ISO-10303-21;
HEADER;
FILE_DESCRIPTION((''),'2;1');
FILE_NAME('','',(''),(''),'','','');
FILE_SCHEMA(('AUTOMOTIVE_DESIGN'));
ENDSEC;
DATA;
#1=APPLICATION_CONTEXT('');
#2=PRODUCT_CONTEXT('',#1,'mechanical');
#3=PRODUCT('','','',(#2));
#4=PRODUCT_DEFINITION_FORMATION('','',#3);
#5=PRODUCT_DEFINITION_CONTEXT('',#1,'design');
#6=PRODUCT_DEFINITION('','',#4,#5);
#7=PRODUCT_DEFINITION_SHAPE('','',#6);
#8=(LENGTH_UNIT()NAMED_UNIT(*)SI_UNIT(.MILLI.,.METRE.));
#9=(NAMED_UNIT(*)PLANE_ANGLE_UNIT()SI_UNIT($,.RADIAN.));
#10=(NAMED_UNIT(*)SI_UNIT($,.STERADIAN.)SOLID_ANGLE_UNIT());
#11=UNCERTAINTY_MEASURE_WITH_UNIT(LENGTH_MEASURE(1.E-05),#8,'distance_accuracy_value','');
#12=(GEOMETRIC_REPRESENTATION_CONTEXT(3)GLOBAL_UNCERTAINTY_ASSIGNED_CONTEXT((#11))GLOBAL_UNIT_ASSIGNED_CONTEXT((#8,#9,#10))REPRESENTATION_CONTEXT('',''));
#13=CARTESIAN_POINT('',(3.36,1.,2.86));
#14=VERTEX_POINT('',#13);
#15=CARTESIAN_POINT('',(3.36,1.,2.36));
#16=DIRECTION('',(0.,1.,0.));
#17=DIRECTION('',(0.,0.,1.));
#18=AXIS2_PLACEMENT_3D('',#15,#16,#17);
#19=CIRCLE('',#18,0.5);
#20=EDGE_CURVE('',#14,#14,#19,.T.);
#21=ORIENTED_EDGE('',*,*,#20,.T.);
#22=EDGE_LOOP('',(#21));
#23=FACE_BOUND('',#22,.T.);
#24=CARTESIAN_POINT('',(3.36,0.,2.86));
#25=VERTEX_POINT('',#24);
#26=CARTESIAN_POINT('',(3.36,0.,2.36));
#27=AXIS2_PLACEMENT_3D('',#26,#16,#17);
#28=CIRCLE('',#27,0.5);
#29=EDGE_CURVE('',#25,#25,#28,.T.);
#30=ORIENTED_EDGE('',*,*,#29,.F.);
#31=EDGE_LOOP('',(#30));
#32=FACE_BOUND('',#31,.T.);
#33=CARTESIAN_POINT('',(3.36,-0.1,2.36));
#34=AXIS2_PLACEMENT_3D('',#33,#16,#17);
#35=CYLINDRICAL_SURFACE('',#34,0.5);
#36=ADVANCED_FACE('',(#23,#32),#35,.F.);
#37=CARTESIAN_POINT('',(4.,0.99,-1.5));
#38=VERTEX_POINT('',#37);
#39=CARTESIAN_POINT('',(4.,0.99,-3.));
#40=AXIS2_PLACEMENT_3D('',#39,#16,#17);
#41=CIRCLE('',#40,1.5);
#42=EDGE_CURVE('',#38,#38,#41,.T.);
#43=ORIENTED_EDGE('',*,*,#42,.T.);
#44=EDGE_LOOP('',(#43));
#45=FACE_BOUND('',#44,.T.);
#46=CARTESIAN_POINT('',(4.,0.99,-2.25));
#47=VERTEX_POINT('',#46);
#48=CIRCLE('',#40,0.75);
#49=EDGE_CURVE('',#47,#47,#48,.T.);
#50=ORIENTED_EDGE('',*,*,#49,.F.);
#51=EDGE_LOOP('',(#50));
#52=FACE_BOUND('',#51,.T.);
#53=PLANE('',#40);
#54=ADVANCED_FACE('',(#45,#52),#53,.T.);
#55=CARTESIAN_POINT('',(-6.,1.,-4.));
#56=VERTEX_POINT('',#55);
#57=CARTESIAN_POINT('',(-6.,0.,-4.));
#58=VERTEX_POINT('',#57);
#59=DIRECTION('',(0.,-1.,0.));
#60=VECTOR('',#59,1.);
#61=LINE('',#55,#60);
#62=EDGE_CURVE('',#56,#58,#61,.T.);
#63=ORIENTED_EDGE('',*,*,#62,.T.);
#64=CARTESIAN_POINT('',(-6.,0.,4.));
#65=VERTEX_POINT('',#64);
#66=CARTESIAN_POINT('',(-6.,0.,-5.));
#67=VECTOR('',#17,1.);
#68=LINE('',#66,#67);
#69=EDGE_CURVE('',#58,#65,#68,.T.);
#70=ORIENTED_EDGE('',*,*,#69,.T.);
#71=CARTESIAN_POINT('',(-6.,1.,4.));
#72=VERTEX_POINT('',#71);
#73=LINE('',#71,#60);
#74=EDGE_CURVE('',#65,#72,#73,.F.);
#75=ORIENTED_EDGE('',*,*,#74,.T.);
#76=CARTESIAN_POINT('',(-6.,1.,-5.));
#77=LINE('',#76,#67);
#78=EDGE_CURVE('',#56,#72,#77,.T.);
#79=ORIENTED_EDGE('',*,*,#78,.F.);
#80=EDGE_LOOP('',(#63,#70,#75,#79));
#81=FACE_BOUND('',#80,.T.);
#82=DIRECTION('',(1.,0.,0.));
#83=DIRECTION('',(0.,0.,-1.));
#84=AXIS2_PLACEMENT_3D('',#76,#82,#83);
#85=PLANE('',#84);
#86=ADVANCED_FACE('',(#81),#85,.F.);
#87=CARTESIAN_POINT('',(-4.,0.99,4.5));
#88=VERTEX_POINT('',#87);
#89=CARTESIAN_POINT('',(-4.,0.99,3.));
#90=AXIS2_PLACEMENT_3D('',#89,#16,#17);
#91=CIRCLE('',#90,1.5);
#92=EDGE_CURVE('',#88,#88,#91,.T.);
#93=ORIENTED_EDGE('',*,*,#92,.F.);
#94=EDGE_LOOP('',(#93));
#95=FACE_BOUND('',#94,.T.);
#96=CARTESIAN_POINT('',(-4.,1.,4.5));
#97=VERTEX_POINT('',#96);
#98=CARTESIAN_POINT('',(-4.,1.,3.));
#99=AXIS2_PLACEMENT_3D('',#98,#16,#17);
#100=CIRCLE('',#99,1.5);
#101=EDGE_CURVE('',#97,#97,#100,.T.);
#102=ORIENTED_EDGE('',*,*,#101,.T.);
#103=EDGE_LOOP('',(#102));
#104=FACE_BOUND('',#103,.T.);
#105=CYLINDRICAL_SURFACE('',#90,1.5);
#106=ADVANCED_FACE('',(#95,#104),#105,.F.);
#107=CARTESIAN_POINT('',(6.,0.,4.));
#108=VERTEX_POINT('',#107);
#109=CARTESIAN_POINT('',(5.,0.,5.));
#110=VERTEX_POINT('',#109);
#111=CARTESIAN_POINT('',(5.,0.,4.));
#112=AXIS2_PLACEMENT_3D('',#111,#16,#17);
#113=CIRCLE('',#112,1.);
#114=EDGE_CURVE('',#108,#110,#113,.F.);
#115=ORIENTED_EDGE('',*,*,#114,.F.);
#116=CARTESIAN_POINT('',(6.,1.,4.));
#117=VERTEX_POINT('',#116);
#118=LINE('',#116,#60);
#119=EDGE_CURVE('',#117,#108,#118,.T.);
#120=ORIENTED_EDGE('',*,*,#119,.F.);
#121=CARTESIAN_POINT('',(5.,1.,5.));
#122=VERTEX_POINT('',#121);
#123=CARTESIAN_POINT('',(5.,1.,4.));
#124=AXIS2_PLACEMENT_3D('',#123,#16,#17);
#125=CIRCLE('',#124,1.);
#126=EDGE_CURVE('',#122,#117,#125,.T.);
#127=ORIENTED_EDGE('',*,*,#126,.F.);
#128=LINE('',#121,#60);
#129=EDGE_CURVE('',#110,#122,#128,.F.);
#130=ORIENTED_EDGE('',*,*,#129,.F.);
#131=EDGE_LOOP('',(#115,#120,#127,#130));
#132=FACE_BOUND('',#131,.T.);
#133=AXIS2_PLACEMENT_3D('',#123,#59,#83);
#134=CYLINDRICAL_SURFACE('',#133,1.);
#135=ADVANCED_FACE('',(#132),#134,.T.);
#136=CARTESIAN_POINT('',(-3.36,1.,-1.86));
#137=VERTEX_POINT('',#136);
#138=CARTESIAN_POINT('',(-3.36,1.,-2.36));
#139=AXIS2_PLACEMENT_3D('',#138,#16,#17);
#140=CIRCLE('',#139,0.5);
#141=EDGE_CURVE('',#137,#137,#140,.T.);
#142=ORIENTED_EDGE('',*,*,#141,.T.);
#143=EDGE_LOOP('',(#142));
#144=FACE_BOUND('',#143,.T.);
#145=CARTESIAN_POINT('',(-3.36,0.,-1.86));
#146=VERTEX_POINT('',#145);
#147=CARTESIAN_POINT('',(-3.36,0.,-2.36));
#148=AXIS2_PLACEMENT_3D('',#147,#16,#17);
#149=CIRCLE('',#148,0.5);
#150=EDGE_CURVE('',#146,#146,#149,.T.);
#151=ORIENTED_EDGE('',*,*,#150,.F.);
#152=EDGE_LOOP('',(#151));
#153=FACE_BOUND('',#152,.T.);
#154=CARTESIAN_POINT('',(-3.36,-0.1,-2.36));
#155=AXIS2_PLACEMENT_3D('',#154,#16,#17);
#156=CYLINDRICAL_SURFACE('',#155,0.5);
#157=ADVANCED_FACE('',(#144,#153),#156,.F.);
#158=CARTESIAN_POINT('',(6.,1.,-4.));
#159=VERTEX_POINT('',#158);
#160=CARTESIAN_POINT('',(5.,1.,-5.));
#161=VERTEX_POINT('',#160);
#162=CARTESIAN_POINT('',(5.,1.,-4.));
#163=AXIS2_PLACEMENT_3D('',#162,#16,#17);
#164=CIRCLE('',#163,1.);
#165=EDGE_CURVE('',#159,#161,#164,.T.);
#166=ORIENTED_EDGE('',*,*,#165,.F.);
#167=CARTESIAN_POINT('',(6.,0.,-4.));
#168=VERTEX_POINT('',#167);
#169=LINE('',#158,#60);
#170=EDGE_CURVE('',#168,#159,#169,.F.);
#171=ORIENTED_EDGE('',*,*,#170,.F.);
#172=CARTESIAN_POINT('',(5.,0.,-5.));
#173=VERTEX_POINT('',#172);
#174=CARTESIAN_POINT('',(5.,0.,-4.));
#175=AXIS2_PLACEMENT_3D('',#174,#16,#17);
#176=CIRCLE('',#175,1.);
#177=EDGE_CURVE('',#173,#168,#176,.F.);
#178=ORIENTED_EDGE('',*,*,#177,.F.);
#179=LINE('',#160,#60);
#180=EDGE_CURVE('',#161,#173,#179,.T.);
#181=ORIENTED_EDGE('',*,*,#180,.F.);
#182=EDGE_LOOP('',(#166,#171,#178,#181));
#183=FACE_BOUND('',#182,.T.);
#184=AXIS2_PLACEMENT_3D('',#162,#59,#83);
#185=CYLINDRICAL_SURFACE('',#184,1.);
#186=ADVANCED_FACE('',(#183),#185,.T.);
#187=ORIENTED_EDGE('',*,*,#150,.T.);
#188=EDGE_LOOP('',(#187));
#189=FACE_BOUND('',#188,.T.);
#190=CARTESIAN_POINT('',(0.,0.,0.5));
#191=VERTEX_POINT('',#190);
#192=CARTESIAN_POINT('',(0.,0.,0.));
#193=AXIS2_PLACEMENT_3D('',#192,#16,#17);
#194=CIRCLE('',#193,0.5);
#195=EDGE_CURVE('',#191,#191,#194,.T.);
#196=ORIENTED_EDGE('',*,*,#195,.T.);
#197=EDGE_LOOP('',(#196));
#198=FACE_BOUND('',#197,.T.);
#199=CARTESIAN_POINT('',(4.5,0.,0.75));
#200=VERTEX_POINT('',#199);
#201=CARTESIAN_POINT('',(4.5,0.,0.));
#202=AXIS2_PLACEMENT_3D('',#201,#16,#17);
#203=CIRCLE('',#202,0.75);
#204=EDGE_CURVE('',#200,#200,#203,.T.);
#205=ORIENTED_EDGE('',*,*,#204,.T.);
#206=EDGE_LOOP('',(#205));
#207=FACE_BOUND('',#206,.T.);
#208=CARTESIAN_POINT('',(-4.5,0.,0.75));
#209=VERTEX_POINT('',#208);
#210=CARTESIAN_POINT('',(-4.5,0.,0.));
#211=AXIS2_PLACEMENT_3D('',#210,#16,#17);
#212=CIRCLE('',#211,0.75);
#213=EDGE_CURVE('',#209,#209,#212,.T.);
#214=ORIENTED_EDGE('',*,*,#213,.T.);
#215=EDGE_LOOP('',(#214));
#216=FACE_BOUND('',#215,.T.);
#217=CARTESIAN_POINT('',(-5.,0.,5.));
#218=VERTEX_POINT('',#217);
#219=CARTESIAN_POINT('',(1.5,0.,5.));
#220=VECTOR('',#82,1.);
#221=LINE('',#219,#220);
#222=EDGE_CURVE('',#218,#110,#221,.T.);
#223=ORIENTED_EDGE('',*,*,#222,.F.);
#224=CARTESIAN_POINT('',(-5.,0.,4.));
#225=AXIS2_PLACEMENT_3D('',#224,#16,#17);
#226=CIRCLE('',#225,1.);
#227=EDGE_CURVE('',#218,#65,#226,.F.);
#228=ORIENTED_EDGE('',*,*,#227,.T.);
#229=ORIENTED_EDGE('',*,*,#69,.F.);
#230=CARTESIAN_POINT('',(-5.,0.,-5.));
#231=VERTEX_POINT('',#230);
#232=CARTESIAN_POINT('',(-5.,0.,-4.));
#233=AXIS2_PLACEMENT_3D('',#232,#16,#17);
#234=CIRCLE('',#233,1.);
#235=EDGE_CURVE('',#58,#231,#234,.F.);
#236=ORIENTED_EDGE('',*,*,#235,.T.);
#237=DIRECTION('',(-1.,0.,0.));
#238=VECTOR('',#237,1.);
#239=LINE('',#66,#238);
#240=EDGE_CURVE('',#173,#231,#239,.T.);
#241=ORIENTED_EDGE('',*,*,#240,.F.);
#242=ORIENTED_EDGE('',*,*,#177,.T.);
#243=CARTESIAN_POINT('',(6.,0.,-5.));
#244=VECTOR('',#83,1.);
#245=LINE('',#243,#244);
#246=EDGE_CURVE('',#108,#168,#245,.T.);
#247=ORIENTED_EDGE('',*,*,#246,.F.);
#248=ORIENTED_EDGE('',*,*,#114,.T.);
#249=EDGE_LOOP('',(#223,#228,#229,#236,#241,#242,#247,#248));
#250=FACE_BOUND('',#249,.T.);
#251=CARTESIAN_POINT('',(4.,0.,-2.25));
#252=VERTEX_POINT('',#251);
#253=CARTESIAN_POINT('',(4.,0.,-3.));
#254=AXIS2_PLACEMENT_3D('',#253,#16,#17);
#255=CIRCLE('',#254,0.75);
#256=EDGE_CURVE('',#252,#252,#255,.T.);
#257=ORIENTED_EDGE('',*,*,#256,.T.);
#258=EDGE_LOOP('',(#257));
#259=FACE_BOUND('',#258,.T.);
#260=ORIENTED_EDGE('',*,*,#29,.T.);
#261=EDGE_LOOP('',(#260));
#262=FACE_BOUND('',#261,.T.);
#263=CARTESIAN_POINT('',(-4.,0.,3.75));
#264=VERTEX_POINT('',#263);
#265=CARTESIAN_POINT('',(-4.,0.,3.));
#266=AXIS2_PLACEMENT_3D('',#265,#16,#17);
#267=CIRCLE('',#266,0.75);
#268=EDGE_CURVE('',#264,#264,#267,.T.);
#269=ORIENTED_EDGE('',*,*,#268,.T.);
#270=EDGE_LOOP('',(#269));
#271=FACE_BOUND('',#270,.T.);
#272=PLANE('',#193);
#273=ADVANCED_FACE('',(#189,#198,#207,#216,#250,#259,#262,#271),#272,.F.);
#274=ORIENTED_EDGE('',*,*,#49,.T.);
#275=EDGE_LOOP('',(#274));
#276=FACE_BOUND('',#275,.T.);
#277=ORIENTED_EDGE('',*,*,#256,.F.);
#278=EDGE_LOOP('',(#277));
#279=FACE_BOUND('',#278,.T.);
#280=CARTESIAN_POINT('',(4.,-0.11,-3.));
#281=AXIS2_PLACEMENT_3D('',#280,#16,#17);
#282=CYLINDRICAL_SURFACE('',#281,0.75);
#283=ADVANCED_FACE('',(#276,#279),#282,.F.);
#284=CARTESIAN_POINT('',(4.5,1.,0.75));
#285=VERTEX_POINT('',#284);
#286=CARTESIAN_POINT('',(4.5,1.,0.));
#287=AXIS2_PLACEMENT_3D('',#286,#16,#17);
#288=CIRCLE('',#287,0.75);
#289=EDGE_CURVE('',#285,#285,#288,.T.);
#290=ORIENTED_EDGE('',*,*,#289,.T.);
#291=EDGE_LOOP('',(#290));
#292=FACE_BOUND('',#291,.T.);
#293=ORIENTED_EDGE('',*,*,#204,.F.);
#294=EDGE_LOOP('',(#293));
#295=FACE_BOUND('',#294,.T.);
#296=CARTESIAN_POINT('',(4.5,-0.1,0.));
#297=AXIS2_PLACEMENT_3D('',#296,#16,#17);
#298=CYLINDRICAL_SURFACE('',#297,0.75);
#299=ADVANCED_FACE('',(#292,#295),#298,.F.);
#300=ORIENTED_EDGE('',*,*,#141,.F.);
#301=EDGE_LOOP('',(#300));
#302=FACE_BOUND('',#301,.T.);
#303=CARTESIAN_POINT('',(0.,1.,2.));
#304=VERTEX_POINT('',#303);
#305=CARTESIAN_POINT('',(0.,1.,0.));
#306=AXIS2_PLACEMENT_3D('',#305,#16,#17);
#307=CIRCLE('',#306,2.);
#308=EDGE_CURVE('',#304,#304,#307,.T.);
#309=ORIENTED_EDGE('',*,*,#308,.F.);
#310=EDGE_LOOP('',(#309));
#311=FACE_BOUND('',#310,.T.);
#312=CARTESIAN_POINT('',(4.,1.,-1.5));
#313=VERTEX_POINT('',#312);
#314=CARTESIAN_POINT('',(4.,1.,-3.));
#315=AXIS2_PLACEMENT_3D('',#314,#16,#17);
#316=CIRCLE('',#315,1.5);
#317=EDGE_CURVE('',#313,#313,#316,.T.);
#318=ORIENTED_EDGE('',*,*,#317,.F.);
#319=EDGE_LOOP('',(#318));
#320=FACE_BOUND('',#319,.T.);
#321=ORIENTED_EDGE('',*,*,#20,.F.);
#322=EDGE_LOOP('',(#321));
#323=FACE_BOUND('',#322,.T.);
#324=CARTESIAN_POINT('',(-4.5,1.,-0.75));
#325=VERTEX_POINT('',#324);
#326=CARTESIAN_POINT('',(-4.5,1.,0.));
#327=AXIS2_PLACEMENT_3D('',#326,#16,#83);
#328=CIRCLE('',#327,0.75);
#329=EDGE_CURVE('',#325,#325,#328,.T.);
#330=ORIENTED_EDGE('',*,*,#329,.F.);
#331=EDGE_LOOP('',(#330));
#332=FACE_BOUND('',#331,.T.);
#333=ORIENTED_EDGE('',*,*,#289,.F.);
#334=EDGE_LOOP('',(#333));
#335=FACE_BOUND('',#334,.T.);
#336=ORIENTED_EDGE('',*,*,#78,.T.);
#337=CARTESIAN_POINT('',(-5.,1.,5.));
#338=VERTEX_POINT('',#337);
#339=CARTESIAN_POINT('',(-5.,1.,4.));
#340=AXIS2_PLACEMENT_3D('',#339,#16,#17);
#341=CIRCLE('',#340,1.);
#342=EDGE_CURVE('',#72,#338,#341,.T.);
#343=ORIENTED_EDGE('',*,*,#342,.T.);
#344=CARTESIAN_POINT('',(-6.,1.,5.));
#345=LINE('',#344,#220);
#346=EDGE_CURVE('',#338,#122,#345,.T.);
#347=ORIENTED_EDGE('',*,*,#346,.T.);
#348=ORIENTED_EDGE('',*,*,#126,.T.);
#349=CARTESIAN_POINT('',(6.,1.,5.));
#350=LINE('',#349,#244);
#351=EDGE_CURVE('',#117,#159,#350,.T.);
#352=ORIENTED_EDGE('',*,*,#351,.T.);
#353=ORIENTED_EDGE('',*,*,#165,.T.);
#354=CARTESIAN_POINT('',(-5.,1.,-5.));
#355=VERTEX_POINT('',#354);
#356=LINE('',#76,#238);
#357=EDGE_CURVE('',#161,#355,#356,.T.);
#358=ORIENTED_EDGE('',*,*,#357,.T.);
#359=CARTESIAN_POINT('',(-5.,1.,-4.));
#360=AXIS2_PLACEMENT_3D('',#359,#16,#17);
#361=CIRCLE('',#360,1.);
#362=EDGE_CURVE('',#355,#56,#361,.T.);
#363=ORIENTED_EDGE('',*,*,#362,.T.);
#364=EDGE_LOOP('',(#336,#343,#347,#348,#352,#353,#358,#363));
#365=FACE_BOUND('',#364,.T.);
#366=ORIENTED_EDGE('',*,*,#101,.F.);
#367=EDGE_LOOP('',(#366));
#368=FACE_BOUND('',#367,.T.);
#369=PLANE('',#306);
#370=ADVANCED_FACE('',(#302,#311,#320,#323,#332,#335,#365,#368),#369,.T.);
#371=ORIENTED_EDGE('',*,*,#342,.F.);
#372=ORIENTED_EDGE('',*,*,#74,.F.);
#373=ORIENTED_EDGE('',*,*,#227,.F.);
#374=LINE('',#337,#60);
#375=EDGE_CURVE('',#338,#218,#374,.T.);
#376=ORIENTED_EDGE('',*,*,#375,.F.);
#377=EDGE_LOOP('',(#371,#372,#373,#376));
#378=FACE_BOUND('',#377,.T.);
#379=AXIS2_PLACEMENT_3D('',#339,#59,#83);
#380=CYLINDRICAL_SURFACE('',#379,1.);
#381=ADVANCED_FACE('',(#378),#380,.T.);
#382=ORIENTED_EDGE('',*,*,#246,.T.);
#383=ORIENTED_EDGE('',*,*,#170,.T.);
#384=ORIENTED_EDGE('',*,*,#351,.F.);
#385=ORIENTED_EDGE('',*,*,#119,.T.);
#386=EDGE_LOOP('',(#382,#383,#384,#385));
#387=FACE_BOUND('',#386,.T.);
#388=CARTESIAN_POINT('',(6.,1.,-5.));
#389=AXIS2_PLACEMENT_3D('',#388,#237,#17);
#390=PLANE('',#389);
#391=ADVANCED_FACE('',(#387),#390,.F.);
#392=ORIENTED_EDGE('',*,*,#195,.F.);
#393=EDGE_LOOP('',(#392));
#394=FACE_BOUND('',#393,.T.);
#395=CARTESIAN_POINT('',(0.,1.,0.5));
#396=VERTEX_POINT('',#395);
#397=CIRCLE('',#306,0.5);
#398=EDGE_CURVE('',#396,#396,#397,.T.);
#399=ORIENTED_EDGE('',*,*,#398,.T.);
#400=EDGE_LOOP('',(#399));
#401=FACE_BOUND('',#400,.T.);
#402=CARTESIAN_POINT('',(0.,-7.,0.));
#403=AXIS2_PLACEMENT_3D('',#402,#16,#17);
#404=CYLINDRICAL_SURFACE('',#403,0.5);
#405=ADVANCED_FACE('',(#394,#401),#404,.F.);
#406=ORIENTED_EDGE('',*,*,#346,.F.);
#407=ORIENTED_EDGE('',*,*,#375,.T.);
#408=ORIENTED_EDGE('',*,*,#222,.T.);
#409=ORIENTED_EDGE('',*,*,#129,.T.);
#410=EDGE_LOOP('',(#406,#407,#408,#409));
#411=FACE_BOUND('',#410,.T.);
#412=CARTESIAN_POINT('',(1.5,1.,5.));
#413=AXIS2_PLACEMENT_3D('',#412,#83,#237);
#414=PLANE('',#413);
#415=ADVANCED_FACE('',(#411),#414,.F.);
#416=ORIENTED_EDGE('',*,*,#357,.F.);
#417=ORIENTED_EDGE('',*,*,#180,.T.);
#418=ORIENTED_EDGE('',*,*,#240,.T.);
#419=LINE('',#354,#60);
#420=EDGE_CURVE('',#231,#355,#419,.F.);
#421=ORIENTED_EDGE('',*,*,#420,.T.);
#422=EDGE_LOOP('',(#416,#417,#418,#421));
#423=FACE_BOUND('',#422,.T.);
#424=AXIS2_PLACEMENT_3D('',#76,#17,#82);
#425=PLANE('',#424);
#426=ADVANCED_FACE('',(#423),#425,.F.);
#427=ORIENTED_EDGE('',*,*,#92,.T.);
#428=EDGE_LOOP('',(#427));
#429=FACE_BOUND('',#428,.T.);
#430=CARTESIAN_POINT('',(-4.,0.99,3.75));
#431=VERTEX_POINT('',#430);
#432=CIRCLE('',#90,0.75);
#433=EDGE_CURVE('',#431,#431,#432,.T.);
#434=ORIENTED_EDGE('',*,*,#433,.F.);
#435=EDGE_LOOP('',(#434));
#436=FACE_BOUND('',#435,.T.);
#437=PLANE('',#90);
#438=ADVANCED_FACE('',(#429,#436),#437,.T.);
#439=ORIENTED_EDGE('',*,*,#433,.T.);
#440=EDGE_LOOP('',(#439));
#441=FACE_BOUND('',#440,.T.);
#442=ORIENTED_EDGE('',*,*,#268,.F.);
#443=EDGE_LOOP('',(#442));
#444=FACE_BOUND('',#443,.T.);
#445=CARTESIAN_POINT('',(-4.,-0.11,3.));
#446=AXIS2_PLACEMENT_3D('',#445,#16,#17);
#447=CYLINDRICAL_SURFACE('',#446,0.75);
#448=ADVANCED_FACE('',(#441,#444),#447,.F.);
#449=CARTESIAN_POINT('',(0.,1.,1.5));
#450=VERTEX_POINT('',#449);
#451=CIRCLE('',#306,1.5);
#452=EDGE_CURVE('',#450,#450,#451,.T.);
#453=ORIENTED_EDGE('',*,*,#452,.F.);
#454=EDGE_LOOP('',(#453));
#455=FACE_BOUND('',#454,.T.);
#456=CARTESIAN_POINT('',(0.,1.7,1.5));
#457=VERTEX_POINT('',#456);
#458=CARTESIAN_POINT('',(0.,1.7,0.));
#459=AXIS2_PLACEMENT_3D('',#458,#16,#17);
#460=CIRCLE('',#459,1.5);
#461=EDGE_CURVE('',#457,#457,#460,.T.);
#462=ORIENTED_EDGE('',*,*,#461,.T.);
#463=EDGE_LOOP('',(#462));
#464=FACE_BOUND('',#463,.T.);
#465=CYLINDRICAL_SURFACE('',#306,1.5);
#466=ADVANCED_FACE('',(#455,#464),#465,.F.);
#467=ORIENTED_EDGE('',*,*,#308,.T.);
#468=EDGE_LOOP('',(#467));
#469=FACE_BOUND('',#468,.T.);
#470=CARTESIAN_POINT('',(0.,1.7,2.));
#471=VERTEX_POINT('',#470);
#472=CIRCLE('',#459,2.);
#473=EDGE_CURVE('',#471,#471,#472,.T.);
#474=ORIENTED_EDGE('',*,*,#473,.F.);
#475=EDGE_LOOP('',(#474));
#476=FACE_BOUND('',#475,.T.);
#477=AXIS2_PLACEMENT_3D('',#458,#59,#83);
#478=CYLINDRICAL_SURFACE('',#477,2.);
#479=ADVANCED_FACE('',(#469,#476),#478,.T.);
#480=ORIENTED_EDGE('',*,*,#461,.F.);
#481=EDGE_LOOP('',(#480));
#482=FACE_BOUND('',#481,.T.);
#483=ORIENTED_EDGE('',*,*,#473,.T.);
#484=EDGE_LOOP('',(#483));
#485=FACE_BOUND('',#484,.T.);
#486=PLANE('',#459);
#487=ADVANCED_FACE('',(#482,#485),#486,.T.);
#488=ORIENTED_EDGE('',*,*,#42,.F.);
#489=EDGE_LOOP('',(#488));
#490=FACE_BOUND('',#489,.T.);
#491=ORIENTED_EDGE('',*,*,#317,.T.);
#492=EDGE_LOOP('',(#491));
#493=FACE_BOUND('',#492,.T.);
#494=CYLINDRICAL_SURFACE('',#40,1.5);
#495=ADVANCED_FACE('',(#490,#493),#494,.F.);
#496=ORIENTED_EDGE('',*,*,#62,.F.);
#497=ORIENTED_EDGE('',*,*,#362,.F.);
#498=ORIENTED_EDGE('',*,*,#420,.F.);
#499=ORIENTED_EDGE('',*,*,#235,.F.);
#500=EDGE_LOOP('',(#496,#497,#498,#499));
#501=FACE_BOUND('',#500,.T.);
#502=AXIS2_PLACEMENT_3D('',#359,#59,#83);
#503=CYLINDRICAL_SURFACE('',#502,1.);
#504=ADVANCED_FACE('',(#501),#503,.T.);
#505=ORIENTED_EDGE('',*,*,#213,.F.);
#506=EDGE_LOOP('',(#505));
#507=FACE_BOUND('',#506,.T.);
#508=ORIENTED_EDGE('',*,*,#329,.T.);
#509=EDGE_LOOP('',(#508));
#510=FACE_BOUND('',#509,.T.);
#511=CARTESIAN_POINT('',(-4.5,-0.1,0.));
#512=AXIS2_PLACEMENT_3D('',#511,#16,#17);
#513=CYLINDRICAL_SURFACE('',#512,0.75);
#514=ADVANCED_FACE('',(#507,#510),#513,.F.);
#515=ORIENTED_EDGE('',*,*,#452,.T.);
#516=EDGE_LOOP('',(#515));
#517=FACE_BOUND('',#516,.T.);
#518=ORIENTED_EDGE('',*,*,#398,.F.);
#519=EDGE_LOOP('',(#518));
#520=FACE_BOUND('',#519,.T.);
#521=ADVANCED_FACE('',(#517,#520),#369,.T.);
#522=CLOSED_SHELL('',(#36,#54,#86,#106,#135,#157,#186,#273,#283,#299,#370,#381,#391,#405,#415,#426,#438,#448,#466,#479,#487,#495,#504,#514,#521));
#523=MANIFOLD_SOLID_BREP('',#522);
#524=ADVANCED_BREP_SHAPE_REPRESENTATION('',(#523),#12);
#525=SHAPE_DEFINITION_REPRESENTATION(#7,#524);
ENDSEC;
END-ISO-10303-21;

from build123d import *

# Parameters (mm, degrees)
SALIENTE_EXTRUIR1_DEPTH = 1
REDONDEO1_R             = 1
CROQUIS2_R              = 1.5
CORTAR_EXTRUIR3_DEPTH   = 0.01
CROQUIS5_R              = 0.75
CORTAR_EXTRUIR5_DEPTH   = 1.1
CROQUIS6_R              = 0.75
CROQUIS6_R_2            = 0.5
CORTAR_EXTRUIR6_DEPTH   = 1.1
CROQUIS7_R              = 2
SALIENTE_EXTRUIR2_DEPTH = 0.7
CROQUIS8_R              = 1.5
CORTAR_EXTRUIR7_DEPTH   = 0.7
CROQUIS9_R              = 0.5
CORTAR_EXTRUIR9_DEPTH   = 8


with BuildPart() as part:
    # Croquis1 → Saliente-Extruir1 (new body)
    with BuildSketch(Plane(origin=(0, 0, 0), x_dir=(1, 0, 0), z_dir=(0, 1, 0))):
        Polygon((-6, 5), (6, 5), (6, 0.5), (6, -5), (1.5, -5), (-6, -5), align=None)
    extrude(amount=SALIENTE_EXTRUIR1_DEPTH)

    # Redondeo1
    redondeo1_edges = [part.edges().sort_by_distance(p)[0] for p in [
        (-6, 0.5, -5),
        (6, 0.5, -5),
        (6, 0.5, 5),
        (-6, 0.5, 5),
    ]]
    fillet(redondeo1_edges, radius=REDONDEO1_R)

    # Croquis2 → Cortar-Extruir3 (cut)
    with BuildSketch(Plane(origin=(0, 1, 0), x_dir=(1, 0, 0), z_dir=(0, 1, 0))):
        with Locations((4, 3)):
            Circle(CROQUIS2_R)
        with Locations((-4, -3)):
            Circle(CROQUIS2_R)
    extrude(amount=-CORTAR_EXTRUIR3_DEPTH, mode=Mode.SUBTRACT)

    # Croquis5 → Cortar-Extruir5 (cut)
    with BuildSketch(Plane(origin=(0, 0.99, 0), x_dir=(1, 0, 0), z_dir=(0, 1, 0))):
        with Locations((4, 3)):
            Circle(CROQUIS5_R)
        with Locations((-4, -3)):
            Circle(CROQUIS5_R)
    extrude(amount=-CORTAR_EXTRUIR5_DEPTH, mode=Mode.SUBTRACT)

    # Croquis6 → Cortar-Extruir6 (cut)
    with BuildSketch(Plane(origin=(0, 1, 0), x_dir=(1, 0, 0), z_dir=(0, 1, 0))):
        with Locations((4.5, 0)):
            Circle(CROQUIS6_R)
        with Locations((-4.5, 0)):
            Circle(CROQUIS6_R)
        with Locations((3.36, -2.36)):
            Circle(CROQUIS6_R_2)
        with Locations((-3.36, 2.36)):
            Circle(CROQUIS6_R_2)
    extrude(amount=-CORTAR_EXTRUIR6_DEPTH, mode=Mode.SUBTRACT)

    # Croquis7 → Saliente-Extruir2 (add)
    with BuildSketch(Plane(origin=(0, 1, 0), x_dir=(1, 0, 0), z_dir=(0, 1, 0))):
        Circle(CROQUIS7_R)
    extrude(amount=SALIENTE_EXTRUIR2_DEPTH)

    # Croquis8 → Cortar-Extruir7 (cut)
    with BuildSketch(Plane(origin=(0, 1.7, 0), x_dir=(1, 0, 0), z_dir=(0, 1, 0))):
        Circle(CROQUIS8_R)
    extrude(amount=-CORTAR_EXTRUIR7_DEPTH, mode=Mode.SUBTRACT)

    # Croquis9 → Cortar-Extruir9 (cut)
    with BuildSketch(Plane(origin=(0, 1, 0), x_dir=(1, 0, 0), z_dir=(0, 1, 0))):
        Circle(CROQUIS9_R)
    extrude(amount=-CORTAR_EXTRUIR9_DEPTH, mode=Mode.SUBTRACT)


solid = part.part
